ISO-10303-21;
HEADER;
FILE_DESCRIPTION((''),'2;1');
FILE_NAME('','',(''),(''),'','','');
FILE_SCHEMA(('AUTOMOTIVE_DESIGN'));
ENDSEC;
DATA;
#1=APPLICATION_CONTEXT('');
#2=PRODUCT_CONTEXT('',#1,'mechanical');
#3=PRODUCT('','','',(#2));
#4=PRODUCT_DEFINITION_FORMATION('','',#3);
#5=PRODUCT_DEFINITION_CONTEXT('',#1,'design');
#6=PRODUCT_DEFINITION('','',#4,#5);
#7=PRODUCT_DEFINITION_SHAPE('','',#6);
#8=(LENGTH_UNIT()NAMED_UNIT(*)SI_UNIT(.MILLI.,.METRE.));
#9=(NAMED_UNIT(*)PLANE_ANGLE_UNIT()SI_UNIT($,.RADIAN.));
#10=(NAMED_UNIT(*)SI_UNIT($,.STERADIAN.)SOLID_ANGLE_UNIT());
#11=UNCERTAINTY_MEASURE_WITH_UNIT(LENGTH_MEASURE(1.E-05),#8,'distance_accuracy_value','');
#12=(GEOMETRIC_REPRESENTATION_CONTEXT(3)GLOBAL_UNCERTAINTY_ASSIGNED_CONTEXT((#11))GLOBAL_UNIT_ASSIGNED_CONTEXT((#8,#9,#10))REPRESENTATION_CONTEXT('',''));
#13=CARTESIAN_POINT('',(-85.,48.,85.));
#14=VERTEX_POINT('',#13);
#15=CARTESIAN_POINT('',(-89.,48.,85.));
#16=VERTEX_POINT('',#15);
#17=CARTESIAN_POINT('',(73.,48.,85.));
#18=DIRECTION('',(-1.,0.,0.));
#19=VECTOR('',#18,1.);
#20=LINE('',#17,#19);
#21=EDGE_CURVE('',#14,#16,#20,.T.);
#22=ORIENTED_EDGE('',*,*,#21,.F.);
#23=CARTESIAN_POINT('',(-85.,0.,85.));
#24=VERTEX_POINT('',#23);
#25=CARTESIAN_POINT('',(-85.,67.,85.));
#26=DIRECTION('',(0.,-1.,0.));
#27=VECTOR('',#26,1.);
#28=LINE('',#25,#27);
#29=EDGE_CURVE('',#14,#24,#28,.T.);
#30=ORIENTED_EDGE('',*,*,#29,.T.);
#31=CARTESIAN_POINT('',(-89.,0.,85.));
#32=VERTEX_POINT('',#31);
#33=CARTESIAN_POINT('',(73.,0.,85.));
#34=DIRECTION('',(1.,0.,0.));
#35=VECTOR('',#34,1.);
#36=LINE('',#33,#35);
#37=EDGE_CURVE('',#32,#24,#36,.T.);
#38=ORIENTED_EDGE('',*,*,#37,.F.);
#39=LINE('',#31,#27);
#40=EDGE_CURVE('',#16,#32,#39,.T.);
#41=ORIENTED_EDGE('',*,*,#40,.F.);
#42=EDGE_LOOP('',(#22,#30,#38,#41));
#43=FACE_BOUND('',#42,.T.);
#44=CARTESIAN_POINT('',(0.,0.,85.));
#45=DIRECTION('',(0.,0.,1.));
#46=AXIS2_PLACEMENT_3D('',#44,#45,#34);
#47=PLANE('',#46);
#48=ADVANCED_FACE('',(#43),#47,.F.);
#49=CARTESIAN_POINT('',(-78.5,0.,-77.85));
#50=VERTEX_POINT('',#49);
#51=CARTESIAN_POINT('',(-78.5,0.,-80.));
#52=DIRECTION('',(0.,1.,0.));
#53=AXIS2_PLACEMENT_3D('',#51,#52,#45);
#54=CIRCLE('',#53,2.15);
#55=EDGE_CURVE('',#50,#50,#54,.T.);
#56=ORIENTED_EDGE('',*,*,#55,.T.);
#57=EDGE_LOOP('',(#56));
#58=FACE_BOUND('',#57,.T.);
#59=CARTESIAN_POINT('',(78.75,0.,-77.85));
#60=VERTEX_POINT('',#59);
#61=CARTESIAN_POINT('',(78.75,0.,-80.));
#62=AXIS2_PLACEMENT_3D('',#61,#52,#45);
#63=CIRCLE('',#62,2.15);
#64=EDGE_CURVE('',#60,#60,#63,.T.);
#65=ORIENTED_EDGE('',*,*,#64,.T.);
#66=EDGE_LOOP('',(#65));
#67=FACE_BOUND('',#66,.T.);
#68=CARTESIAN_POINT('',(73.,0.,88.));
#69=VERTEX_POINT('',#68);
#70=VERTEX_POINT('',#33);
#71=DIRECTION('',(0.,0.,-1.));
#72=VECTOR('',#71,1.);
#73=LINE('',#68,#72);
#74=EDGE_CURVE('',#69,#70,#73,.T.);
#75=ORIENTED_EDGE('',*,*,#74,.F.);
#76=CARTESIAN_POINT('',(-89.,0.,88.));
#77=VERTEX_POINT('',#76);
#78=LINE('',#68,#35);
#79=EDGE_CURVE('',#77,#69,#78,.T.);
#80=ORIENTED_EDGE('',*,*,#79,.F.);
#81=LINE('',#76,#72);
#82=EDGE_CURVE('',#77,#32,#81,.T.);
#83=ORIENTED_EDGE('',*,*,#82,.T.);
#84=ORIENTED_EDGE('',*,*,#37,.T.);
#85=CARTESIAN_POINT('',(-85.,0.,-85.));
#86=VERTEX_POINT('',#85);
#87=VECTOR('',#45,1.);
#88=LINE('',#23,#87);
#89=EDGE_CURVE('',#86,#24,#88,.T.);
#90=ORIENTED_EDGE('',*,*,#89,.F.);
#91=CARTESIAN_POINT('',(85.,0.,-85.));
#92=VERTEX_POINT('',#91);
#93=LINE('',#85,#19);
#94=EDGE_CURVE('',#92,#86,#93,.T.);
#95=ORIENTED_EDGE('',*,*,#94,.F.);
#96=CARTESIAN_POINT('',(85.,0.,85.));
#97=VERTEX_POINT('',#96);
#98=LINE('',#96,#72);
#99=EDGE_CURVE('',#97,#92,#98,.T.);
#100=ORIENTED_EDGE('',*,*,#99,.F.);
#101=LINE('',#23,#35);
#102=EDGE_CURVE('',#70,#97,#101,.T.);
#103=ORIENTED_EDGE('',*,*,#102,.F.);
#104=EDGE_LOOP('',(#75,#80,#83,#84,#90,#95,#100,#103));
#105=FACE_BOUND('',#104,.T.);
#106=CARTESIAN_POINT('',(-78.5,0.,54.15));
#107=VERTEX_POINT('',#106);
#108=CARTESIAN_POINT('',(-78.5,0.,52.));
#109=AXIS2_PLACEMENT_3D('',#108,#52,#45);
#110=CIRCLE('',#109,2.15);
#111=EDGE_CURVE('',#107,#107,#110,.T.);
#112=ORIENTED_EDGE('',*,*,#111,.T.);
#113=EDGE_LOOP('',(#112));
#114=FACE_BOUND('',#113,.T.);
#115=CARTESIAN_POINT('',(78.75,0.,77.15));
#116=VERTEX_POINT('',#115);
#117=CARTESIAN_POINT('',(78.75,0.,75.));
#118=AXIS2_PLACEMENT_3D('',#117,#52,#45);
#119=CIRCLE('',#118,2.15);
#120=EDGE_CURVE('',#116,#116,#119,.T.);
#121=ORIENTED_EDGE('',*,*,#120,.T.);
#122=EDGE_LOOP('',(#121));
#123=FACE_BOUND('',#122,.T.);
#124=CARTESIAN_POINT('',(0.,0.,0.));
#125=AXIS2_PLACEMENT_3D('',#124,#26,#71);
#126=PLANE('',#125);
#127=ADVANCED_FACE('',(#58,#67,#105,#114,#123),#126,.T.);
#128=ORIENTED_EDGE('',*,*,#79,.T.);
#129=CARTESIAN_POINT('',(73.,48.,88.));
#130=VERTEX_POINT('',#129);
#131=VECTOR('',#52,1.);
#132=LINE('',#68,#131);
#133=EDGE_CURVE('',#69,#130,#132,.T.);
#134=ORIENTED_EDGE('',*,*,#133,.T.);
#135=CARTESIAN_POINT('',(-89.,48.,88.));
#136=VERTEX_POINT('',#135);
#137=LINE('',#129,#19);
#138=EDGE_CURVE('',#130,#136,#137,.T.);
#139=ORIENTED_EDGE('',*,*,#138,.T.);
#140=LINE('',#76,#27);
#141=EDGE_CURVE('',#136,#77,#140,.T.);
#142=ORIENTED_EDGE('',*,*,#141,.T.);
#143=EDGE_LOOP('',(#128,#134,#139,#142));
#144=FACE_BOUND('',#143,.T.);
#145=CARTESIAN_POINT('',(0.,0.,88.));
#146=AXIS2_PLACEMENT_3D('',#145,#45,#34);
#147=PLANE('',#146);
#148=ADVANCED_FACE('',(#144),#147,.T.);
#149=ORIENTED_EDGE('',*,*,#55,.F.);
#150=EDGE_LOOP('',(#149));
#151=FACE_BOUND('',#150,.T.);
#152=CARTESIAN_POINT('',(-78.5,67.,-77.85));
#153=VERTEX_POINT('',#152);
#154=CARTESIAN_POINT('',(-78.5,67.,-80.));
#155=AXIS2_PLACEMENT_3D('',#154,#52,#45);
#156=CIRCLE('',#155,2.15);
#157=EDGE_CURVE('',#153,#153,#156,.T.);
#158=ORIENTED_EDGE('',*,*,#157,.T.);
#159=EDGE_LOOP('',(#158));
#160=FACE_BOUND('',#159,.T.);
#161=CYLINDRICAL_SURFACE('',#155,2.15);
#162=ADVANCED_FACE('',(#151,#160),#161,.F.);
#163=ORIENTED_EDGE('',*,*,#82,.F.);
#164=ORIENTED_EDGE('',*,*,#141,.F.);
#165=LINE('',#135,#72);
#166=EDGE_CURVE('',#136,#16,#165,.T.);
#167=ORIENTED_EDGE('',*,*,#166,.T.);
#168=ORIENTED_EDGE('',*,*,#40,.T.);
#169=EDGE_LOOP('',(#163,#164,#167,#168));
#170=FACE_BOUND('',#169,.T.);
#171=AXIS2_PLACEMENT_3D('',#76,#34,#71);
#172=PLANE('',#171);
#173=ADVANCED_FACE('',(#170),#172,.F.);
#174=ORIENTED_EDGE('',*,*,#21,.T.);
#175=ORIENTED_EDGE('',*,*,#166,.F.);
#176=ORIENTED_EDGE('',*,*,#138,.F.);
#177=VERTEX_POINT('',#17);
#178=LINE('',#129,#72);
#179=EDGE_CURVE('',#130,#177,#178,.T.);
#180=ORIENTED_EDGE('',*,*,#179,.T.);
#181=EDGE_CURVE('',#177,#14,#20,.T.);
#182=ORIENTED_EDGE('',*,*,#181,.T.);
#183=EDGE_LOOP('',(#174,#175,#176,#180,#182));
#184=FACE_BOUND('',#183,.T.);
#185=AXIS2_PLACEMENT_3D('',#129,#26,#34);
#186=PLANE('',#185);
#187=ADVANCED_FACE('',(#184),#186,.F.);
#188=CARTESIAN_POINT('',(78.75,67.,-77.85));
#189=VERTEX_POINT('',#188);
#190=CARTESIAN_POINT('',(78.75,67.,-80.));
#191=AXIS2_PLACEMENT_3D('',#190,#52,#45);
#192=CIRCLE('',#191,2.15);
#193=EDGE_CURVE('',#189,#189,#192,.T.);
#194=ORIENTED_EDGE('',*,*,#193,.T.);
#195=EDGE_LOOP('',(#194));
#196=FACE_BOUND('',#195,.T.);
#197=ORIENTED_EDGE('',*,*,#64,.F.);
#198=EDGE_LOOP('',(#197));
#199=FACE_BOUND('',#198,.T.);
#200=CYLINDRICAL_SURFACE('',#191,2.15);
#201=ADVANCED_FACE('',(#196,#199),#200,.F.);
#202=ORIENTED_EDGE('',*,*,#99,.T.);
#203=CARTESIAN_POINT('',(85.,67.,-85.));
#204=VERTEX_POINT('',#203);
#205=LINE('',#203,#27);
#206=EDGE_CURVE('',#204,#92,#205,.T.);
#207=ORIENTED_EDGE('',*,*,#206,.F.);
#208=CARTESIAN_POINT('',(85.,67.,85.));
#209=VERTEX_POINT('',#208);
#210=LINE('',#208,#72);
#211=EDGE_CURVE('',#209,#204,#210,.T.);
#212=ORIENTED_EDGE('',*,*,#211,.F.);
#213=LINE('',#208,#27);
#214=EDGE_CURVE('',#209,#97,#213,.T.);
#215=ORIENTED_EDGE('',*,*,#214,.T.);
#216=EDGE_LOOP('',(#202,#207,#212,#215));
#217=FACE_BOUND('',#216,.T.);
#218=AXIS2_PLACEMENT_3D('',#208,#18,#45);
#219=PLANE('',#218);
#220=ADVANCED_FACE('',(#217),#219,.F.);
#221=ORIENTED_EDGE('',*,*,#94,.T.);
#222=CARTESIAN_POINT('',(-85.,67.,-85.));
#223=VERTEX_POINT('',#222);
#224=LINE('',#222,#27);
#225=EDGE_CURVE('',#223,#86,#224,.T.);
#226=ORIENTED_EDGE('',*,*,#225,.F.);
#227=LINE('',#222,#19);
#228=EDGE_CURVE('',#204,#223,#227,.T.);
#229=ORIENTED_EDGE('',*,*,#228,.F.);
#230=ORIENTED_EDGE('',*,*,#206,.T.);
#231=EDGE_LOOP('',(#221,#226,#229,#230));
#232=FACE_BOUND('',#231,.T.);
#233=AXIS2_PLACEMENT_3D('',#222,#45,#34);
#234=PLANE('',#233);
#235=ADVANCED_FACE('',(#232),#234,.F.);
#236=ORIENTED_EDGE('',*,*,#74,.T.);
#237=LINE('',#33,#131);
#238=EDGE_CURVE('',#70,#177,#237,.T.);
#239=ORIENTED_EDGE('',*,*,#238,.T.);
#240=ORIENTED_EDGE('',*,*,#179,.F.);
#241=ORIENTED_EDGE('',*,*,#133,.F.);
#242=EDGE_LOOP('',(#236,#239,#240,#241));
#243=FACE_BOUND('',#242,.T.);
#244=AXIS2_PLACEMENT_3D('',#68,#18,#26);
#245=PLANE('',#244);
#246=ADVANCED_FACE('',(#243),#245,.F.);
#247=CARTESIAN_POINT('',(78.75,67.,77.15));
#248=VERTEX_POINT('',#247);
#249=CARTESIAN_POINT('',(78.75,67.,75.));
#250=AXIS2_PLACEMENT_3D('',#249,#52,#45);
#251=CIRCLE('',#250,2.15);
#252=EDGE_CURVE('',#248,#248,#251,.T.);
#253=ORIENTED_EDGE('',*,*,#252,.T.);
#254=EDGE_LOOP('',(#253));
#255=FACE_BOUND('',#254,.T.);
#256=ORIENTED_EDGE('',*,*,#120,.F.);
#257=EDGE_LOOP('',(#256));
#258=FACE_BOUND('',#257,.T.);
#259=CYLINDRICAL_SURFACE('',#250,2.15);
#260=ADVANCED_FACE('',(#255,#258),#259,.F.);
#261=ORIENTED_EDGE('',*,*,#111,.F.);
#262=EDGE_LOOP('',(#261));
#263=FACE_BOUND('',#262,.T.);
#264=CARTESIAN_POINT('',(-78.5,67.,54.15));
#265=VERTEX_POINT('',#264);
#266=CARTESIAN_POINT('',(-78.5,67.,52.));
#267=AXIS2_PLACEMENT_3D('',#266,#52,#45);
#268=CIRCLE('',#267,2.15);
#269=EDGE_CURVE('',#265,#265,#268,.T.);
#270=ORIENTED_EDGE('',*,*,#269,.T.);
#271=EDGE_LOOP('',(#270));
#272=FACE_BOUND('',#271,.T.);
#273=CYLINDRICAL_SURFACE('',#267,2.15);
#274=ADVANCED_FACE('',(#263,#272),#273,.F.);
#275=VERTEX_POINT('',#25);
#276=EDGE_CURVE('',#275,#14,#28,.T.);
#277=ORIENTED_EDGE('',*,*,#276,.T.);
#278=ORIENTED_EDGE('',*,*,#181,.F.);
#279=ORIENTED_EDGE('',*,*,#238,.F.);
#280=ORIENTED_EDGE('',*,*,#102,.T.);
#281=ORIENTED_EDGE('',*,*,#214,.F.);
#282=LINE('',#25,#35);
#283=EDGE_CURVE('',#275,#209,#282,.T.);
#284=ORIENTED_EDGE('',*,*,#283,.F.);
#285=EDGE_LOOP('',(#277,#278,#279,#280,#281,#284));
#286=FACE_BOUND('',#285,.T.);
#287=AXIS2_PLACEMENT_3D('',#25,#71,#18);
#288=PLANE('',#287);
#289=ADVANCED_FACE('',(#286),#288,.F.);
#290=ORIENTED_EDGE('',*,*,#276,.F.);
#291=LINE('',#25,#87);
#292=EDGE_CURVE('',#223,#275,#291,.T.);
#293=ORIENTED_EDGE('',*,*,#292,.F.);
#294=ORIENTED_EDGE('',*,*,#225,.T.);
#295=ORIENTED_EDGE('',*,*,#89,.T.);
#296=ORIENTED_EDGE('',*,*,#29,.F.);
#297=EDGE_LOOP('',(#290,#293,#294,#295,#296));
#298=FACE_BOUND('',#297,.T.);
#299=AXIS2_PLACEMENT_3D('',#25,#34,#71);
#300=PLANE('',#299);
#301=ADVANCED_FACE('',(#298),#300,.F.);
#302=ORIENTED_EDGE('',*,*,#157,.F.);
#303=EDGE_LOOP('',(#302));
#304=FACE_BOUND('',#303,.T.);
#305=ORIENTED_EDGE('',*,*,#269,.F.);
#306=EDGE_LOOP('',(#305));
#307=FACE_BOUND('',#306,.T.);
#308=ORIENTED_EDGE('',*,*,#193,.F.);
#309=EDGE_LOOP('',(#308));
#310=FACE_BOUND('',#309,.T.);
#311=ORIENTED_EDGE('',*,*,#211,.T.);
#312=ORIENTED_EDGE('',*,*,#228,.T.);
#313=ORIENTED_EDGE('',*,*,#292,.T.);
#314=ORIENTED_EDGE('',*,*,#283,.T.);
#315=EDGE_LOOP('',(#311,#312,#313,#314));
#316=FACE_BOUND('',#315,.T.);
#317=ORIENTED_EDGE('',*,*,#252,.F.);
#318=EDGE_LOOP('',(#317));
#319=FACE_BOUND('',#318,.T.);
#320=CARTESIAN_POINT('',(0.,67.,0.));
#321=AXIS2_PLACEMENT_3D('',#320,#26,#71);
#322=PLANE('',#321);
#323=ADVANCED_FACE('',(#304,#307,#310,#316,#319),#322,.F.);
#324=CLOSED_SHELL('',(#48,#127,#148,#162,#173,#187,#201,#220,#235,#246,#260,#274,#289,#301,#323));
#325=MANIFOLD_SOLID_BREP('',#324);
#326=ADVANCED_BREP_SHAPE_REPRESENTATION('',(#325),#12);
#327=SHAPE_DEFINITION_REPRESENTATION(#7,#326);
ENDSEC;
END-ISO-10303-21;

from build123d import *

# Parameters (mm, degrees)
SKETCH1_W            = 170
SKETCH1_H            = 170
BOSS_EXTRUDE1_DEPTH  = 67
SKETCH2_W            = 162
SKETCH2_H            = 48
BOSS_EXTRUDE2_DEPTH  = 3
M4_CLEARANCE_HOLE1_D = 4.3


with BuildPart() as part:
    # Sketch1 → Boss-Extrude1 (new body)
    with BuildSketch(Plane(origin=(0, 0, 0), x_dir=(1, 0, 0), z_dir=(0, 1, 0))):
        Rectangle(SKETCH1_W, SKETCH1_H)
    extrude(amount=BOSS_EXTRUDE1_DEPTH)

    # Sketch2 → Boss-Extrude2 (add)
    with BuildSketch(Plane.XY.offset(85)):
        with Locations((-8, 24)):
            Rectangle(SKETCH2_W, SKETCH2_H)
    extrude(amount=BOSS_EXTRUDE2_DEPTH)

    # M4 Clearance Hole1 (through all)
    with Locations(Plane(origin=(0, 67, 0), x_dir=(1, 0, 0), z_dir=(0, 1, 0))):
        with Locations((-78.5, 80), (-78.5, -52), (78.75, -75), (78.75, 80)):
            Hole(M4_CLEARANCE_HOLE1_D / 2)


solid = part.part
